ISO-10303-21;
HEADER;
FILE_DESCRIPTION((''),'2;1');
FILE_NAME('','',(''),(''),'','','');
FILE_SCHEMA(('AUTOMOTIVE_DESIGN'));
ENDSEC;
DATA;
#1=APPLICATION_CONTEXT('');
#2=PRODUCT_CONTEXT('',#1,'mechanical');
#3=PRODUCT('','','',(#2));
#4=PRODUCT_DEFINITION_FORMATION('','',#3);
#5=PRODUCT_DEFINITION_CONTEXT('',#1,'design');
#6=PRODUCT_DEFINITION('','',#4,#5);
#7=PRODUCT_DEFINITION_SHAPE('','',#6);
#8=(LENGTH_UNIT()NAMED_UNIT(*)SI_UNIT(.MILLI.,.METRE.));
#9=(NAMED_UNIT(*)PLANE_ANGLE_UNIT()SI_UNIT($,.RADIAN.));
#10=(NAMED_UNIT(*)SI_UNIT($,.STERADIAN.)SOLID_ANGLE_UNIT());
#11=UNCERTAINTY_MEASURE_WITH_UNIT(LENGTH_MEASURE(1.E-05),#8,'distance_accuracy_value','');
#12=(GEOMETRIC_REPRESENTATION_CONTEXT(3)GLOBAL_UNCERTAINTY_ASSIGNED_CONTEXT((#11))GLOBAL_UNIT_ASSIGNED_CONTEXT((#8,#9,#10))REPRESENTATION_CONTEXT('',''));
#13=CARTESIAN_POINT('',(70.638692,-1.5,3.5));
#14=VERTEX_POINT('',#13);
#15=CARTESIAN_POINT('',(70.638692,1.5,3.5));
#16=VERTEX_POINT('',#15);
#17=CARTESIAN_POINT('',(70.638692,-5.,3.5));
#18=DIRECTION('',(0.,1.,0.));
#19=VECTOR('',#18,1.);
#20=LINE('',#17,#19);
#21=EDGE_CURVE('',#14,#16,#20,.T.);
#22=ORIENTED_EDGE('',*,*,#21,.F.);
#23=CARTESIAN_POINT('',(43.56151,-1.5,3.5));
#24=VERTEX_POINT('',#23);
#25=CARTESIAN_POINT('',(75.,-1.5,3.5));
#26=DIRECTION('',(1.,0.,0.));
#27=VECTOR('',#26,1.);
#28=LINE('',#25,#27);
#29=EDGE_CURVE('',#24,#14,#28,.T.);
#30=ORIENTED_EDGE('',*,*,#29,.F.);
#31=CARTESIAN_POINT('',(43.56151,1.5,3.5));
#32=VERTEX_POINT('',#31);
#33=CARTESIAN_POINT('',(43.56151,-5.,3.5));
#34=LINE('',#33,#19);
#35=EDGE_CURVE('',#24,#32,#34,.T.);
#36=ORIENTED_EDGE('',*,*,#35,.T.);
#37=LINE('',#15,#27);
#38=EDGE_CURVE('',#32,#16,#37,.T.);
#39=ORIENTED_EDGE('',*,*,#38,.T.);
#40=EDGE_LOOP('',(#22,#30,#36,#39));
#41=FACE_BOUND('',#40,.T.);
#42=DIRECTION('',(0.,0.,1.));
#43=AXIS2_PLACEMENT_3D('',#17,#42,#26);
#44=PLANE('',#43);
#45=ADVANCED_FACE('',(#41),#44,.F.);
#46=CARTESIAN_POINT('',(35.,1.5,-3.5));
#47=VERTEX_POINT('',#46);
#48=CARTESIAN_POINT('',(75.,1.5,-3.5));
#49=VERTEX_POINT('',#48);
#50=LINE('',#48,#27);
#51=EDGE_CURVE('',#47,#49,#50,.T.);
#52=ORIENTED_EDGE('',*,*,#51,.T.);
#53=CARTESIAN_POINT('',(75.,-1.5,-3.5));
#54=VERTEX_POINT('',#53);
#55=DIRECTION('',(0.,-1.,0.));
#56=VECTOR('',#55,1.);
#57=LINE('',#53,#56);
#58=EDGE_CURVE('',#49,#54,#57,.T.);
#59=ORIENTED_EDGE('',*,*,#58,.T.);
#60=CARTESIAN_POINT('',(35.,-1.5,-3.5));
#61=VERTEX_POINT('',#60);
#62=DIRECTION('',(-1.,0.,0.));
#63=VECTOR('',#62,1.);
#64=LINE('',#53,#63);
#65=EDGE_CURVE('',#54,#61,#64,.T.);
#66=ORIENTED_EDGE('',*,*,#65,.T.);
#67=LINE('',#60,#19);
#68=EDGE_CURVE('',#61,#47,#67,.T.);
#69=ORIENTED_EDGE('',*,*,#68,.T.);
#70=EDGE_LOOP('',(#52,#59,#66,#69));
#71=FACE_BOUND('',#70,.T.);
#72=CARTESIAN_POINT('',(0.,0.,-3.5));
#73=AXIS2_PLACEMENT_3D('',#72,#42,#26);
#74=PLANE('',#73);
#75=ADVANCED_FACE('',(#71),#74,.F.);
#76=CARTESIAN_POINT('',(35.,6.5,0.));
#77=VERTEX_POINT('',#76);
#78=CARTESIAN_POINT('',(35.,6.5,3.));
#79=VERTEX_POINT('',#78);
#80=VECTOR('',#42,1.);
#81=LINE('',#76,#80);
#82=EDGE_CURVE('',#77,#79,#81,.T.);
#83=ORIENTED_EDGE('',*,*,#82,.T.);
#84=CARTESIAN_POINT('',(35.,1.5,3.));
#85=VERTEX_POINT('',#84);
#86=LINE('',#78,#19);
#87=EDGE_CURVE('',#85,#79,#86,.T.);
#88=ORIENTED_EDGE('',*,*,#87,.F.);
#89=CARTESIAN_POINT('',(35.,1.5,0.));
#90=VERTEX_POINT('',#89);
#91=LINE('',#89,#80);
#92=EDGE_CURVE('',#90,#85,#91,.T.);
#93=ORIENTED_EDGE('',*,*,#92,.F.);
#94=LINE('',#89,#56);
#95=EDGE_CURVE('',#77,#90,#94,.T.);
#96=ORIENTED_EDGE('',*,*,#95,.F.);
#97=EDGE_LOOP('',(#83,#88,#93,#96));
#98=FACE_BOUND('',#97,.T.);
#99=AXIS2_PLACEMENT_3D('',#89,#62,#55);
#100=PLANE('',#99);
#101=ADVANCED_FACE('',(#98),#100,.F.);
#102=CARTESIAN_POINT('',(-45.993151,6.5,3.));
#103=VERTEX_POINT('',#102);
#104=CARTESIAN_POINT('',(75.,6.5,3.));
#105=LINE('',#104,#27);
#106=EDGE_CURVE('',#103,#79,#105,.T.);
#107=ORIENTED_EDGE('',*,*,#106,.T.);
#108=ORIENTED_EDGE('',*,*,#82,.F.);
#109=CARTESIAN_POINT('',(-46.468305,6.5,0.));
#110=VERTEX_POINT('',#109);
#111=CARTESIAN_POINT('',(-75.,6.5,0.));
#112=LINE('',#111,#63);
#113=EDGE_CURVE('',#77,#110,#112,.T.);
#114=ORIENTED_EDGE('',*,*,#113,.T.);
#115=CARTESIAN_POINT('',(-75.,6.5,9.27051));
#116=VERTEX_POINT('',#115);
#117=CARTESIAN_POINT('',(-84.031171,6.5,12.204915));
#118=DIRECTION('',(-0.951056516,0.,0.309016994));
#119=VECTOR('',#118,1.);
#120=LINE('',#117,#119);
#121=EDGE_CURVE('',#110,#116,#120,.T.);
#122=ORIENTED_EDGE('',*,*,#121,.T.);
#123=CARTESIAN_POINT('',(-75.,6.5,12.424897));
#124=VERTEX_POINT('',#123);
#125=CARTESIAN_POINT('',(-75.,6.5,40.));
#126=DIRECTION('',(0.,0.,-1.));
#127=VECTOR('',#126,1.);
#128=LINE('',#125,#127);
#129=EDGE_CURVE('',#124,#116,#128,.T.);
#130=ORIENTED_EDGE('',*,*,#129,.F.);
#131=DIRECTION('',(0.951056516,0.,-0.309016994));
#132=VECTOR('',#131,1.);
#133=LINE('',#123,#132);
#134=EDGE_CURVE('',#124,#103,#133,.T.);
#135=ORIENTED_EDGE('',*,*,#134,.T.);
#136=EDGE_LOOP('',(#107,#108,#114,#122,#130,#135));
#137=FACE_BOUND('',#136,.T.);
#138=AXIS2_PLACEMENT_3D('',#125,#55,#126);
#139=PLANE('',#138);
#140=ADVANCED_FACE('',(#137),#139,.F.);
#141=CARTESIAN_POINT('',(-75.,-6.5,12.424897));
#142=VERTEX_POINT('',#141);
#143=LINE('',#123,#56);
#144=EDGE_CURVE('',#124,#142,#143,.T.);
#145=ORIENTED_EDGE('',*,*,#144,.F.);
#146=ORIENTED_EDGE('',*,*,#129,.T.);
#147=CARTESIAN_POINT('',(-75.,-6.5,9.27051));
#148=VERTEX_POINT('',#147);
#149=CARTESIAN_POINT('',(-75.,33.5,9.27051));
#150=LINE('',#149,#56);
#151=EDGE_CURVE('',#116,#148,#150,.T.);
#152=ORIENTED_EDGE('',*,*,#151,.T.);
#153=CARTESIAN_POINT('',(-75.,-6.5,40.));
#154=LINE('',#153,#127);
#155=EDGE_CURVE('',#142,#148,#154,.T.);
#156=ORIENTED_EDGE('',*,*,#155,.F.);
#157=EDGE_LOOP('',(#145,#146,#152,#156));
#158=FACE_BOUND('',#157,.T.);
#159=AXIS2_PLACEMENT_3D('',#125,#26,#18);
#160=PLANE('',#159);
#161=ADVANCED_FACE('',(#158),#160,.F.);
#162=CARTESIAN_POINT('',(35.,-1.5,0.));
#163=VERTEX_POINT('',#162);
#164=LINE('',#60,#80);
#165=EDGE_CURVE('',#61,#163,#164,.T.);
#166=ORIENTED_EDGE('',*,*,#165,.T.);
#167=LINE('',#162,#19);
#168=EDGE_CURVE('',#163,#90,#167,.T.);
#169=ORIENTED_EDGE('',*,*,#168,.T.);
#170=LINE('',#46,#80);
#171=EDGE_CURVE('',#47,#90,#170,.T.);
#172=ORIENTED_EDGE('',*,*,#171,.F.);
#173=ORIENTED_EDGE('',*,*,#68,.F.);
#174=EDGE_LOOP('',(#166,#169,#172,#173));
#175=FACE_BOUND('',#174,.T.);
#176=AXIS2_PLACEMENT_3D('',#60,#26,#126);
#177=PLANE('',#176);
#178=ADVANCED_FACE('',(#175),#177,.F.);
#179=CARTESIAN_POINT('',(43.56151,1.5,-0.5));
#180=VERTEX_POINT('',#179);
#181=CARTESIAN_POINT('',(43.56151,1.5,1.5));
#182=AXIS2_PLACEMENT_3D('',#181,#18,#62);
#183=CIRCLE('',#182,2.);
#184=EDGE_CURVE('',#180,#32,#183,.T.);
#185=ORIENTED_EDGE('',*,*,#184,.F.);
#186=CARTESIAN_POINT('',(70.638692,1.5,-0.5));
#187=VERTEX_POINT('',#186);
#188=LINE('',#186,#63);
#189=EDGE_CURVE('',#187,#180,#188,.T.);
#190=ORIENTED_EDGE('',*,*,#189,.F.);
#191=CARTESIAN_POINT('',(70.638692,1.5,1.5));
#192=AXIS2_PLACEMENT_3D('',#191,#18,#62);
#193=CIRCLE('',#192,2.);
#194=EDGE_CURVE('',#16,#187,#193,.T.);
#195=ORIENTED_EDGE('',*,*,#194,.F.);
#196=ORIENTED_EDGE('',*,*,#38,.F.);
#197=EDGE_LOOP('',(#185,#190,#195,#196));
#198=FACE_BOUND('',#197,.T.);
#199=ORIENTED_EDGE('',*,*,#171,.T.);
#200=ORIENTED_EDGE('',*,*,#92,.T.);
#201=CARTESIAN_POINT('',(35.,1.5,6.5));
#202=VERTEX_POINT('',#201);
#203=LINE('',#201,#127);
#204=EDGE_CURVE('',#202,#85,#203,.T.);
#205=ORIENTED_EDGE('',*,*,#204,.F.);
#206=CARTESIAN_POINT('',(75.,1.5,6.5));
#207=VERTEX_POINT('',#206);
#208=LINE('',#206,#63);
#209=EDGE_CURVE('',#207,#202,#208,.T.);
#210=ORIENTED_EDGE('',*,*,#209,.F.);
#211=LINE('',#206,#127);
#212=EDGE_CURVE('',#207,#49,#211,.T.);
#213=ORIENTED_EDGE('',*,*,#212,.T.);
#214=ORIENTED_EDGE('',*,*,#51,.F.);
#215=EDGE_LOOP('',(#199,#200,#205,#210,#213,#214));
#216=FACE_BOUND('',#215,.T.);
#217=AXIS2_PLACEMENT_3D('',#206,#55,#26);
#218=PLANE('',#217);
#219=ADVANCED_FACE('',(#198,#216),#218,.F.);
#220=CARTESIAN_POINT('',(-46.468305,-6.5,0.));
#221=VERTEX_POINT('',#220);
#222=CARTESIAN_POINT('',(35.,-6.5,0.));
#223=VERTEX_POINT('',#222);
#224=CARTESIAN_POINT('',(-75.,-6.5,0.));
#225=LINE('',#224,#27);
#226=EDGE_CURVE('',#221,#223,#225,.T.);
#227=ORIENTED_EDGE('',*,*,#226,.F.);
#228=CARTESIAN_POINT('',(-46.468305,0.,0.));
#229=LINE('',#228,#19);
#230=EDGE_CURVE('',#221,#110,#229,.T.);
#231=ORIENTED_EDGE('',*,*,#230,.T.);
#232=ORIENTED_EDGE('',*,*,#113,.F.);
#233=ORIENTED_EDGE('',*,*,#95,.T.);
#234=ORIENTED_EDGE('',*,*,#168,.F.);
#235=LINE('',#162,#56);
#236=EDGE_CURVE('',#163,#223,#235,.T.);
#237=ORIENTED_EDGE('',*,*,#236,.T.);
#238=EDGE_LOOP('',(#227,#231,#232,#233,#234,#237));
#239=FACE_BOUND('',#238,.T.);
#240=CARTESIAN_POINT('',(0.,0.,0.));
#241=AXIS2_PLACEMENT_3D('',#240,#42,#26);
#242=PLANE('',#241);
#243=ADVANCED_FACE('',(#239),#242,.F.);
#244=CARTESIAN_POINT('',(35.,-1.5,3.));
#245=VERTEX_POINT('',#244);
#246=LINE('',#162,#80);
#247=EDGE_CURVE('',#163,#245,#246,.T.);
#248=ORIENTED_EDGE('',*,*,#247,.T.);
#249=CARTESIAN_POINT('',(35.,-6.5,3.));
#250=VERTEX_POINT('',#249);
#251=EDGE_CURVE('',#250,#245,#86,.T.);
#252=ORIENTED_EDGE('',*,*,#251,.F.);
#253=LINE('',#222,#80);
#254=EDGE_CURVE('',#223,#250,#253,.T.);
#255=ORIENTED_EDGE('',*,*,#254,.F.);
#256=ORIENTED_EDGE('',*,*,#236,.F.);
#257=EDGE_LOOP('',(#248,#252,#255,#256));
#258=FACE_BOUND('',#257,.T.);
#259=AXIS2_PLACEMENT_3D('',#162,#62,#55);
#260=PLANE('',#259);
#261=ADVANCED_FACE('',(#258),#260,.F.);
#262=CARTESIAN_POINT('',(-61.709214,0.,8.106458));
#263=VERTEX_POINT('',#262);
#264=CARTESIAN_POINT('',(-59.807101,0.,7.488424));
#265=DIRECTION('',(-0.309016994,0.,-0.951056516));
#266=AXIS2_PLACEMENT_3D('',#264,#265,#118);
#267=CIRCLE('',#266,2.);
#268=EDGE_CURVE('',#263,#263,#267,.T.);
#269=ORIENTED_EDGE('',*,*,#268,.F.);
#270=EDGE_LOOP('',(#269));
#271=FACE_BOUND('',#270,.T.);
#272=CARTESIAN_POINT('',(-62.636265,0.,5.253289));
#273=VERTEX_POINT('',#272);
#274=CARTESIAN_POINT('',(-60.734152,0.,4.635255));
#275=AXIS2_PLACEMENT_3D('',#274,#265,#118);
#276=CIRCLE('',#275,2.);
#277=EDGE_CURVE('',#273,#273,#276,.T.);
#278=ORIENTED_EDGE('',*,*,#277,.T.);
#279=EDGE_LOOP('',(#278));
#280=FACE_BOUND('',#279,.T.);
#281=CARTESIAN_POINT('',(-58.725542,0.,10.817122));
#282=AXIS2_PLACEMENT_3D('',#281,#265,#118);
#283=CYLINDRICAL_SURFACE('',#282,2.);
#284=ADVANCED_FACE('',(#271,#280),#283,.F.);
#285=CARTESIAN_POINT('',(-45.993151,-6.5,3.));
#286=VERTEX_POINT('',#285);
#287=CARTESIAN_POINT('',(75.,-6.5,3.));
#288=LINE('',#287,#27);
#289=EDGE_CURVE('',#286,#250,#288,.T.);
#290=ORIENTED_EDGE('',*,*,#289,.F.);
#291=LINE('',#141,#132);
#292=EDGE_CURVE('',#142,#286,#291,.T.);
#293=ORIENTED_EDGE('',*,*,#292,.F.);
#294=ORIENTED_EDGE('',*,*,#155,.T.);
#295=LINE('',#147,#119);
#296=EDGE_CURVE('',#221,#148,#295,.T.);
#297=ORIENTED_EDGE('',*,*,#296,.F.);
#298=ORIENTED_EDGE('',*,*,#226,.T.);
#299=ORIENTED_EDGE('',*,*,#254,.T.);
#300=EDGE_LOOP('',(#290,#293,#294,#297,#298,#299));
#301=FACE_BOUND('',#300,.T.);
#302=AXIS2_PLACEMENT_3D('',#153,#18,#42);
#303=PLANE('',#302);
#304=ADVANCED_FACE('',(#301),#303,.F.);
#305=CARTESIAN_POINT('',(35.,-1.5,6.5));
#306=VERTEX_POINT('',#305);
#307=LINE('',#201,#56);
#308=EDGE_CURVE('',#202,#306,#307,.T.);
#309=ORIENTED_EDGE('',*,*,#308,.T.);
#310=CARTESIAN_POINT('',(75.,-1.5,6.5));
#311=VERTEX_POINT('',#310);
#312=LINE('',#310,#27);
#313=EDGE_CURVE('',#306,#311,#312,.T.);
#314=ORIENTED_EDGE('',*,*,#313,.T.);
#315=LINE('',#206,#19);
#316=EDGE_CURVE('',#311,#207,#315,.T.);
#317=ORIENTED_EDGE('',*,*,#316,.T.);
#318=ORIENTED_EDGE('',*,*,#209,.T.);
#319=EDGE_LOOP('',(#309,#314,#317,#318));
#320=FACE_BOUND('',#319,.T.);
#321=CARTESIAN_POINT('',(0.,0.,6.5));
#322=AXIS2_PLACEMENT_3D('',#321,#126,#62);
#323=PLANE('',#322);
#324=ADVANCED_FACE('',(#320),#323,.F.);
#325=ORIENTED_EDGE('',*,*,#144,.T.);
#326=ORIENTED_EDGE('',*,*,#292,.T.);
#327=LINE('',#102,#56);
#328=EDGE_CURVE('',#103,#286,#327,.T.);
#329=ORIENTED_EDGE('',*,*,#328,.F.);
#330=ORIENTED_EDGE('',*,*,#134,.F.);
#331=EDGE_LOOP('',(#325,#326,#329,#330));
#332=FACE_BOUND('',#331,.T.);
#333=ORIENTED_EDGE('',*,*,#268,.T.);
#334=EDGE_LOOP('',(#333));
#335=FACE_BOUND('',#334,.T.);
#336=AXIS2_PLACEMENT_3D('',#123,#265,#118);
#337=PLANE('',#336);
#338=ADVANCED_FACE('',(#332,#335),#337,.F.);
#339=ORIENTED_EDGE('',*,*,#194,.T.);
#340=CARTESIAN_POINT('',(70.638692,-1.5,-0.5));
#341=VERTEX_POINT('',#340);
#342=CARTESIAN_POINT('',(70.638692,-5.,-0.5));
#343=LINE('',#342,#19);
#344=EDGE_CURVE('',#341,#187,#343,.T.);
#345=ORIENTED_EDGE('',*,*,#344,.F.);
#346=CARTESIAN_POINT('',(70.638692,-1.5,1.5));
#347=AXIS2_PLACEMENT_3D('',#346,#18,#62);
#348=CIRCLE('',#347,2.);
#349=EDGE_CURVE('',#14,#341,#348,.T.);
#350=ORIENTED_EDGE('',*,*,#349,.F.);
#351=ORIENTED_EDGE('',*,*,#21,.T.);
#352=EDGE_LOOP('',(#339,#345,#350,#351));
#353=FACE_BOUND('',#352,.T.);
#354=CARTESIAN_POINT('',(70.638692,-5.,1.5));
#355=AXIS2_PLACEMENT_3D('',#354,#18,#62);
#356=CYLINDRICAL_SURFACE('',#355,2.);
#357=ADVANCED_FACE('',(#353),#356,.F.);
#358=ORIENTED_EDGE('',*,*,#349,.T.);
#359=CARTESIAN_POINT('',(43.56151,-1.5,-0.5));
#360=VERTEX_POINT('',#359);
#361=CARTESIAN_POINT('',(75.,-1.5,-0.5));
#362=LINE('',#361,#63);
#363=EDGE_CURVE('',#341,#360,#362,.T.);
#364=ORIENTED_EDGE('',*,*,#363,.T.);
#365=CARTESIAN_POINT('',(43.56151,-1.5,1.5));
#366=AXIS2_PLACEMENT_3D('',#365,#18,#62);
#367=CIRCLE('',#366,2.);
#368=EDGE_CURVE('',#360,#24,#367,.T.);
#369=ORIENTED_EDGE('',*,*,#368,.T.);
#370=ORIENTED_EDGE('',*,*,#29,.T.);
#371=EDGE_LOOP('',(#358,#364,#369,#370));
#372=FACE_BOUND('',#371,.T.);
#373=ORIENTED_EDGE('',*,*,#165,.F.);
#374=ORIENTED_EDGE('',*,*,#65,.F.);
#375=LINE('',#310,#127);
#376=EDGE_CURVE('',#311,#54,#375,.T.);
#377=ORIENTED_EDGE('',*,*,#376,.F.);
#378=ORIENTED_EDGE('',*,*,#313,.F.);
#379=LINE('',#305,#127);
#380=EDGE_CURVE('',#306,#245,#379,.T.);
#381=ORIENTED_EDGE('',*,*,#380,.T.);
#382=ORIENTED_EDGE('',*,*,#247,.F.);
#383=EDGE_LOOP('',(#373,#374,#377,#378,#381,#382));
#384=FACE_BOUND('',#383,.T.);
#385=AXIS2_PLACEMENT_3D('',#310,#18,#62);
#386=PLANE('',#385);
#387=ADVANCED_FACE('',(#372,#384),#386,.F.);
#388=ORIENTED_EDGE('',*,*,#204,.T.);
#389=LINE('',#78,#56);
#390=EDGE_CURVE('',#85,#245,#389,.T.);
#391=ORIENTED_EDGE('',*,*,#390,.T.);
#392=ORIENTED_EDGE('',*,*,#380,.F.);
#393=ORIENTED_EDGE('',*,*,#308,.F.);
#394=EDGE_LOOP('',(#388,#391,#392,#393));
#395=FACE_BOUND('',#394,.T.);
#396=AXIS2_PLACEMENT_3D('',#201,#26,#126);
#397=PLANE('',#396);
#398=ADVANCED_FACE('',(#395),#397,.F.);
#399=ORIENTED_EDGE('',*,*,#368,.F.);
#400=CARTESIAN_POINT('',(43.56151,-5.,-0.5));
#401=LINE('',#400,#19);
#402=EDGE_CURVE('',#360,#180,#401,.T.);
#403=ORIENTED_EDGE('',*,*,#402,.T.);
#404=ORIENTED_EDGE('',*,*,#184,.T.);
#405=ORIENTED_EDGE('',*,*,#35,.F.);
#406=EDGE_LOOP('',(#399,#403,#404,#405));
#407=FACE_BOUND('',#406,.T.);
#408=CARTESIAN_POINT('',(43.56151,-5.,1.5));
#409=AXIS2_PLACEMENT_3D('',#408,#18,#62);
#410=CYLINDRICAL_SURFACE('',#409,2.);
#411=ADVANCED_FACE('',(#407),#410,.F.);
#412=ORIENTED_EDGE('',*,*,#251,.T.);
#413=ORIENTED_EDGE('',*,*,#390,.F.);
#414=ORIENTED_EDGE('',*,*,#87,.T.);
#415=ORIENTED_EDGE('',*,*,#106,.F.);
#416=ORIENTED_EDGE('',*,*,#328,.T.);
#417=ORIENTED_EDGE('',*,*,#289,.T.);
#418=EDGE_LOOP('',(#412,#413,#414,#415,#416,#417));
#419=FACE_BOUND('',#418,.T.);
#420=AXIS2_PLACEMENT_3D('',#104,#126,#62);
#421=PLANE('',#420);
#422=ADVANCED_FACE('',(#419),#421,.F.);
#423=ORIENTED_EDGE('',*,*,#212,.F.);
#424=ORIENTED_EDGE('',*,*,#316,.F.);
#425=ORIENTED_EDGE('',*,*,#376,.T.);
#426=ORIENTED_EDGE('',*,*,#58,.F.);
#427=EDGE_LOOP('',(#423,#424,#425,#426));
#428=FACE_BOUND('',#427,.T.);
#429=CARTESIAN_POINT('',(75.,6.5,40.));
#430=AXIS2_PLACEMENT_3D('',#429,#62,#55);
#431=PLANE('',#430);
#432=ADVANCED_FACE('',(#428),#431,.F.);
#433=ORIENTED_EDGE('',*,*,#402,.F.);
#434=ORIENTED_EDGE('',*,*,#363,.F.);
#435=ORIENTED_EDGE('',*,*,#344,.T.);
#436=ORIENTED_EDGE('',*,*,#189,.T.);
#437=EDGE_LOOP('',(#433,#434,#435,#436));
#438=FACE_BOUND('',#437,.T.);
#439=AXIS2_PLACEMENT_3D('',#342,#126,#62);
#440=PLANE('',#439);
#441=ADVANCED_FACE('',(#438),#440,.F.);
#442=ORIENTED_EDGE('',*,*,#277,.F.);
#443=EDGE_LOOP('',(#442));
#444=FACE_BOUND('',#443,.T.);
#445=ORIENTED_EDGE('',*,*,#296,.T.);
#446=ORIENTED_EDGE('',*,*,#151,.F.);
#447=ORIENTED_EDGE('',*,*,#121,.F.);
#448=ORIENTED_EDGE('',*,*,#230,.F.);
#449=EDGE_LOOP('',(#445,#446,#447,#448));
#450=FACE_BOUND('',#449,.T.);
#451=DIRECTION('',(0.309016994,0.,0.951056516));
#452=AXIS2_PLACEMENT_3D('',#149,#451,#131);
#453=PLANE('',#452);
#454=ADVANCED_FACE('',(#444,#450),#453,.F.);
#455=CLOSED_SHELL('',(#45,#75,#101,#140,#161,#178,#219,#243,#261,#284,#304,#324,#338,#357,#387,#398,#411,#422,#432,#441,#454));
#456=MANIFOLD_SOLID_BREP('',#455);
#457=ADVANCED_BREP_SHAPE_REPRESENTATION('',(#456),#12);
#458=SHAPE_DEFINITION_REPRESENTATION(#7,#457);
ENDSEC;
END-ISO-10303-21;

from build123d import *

# Parameters (mm, degrees)
SKETCH1_W               = 150
SKETCH1_H               = 13
BOSS_EXTRUDE1_DEPTH     = 40
CUT_EXTRUDE1_DEPTH      = 40
CUT_EXTRUDE3_DEPTH      = 86.988371307
SKETCH4_W               = 40
SKETCH4_H               = 3
BOSS_EXTRUDE2_DEPTH     = 6.5
CUT_EXTRUDE4_DEPTH      = 76.868825443
CUT_EXTRUDE4_DEPTH_BACK = 76.868825443
SKETCH5_W               = 40
SKETCH5_H               = 5
SKETCH6_W               = 40
SKETCH6_H               = 3
BOSS_EXTRUDE3_DEPTH     = 3.5
CUT_EXTRUDE6_DEPTH      = 6.5
SKETCH8_R               = 2
CUT_EXTRUDE7_DEPTH      = 6.5


with BuildPart() as part:
    # Sketch1 → Boss-Extrude1 (new body)
    with BuildSketch(Plane.XY):
        Rectangle(SKETCH1_W, SKETCH1_H)
    extrude(amount=BOSS_EXTRUDE1_DEPTH)

    # Sketch2 → Cut-Extrude1 (cut)
    with BuildSketch(Plane.XZ.offset(6.5)):
        Polygon((-75, 9.270509831), (-46.468304511, 0), (-75, 0), align=None)
    extrude(amount=-CUT_EXTRUDE1_DEPTH, mode=Mode.SUBTRACT)

    # Sketch3 → Cut-Extrude3 (cut, through all)
    with BuildSketch(Plane.XZ.offset(6.5)):
        Polygon((-75, 12.424896504), (-45.99315119, 3), (75, 3), (75, 40), (-75, 40), align=None)
    extrude(amount=-CUT_EXTRUDE3_DEPTH, mode=Mode.SUBTRACT)

    # Sketch4 → Boss-Extrude2 (add)
    with BuildSketch(Plane.XY):
        with Locations((55, 0)):
            Rectangle(SKETCH4_W, SKETCH4_H)
    extrude(amount=BOSS_EXTRUDE2_DEPTH)

    # Sketch5 → Cut-Extrude4 (cut, two sides: drawn at the far end of the back side and taken through both)
    with BuildSketch(Plane.XY.offset(3).offset(-CUT_EXTRUDE4_DEPTH_BACK)):
        with Locations((55, -4)):
            Rectangle(SKETCH5_W, SKETCH5_H)
        with Locations((55, 4)):
            Rectangle(SKETCH5_W, SKETCH5_H)
    extrude(amount=CUT_EXTRUDE4_DEPTH + CUT_EXTRUDE4_DEPTH_BACK, mode=Mode.SUBTRACT)

    # Sketch6 → Boss-Extrude3 (add)
    with BuildSketch(Plane(origin=(0, 0, 0), x_dir=(-1, 0, 0), z_dir=(0, 0, -1))):
        with Locations((-55, 0)):
            Rectangle(SKETCH6_W, SKETCH6_H)
    extrude(amount=BOSS_EXTRUDE3_DEPTH)

    # Sketch7 → Cut-Extrude6 (cut)
    with BuildSketch(Plane(origin=(0, 1.5, 0), x_dir=(1, 0, 0), z_dir=(0, 1, 0))):
        with BuildLine():
            Line((70.638691623, -3.5), (43.561509774, -3.5))
            ThreePointArc((43.561509774, -3.5), (41.561509774, -1.5), (43.561509774, 0.5))
            Line((43.561509774, 0.5), (70.638691623, 0.5))
            ThreePointArc((70.638691623, 0.5), (72.638691623, -1.5), (70.638691623, -3.5))
        make_face()
    extrude(amount=-CUT_EXTRUDE6_DEPTH, mode=Mode.SUBTRACT)

    # Sketch8 → Cut-Extrude7 (cut)
    with BuildSketch(Plane(origin=(-4.437328231, 0, -13.656692045), x_dir=(-0.9510565162951532, 0, 0.30901699437494873), z_dir=(-0.30901699437494873, 0, -0.9510565162951532))):
        with Locations((59.193983807, 0)):
            Circle(SKETCH8_R)
    extrude(amount=-CUT_EXTRUDE7_DEPTH, mode=Mode.SUBTRACT)


solid = part.part
